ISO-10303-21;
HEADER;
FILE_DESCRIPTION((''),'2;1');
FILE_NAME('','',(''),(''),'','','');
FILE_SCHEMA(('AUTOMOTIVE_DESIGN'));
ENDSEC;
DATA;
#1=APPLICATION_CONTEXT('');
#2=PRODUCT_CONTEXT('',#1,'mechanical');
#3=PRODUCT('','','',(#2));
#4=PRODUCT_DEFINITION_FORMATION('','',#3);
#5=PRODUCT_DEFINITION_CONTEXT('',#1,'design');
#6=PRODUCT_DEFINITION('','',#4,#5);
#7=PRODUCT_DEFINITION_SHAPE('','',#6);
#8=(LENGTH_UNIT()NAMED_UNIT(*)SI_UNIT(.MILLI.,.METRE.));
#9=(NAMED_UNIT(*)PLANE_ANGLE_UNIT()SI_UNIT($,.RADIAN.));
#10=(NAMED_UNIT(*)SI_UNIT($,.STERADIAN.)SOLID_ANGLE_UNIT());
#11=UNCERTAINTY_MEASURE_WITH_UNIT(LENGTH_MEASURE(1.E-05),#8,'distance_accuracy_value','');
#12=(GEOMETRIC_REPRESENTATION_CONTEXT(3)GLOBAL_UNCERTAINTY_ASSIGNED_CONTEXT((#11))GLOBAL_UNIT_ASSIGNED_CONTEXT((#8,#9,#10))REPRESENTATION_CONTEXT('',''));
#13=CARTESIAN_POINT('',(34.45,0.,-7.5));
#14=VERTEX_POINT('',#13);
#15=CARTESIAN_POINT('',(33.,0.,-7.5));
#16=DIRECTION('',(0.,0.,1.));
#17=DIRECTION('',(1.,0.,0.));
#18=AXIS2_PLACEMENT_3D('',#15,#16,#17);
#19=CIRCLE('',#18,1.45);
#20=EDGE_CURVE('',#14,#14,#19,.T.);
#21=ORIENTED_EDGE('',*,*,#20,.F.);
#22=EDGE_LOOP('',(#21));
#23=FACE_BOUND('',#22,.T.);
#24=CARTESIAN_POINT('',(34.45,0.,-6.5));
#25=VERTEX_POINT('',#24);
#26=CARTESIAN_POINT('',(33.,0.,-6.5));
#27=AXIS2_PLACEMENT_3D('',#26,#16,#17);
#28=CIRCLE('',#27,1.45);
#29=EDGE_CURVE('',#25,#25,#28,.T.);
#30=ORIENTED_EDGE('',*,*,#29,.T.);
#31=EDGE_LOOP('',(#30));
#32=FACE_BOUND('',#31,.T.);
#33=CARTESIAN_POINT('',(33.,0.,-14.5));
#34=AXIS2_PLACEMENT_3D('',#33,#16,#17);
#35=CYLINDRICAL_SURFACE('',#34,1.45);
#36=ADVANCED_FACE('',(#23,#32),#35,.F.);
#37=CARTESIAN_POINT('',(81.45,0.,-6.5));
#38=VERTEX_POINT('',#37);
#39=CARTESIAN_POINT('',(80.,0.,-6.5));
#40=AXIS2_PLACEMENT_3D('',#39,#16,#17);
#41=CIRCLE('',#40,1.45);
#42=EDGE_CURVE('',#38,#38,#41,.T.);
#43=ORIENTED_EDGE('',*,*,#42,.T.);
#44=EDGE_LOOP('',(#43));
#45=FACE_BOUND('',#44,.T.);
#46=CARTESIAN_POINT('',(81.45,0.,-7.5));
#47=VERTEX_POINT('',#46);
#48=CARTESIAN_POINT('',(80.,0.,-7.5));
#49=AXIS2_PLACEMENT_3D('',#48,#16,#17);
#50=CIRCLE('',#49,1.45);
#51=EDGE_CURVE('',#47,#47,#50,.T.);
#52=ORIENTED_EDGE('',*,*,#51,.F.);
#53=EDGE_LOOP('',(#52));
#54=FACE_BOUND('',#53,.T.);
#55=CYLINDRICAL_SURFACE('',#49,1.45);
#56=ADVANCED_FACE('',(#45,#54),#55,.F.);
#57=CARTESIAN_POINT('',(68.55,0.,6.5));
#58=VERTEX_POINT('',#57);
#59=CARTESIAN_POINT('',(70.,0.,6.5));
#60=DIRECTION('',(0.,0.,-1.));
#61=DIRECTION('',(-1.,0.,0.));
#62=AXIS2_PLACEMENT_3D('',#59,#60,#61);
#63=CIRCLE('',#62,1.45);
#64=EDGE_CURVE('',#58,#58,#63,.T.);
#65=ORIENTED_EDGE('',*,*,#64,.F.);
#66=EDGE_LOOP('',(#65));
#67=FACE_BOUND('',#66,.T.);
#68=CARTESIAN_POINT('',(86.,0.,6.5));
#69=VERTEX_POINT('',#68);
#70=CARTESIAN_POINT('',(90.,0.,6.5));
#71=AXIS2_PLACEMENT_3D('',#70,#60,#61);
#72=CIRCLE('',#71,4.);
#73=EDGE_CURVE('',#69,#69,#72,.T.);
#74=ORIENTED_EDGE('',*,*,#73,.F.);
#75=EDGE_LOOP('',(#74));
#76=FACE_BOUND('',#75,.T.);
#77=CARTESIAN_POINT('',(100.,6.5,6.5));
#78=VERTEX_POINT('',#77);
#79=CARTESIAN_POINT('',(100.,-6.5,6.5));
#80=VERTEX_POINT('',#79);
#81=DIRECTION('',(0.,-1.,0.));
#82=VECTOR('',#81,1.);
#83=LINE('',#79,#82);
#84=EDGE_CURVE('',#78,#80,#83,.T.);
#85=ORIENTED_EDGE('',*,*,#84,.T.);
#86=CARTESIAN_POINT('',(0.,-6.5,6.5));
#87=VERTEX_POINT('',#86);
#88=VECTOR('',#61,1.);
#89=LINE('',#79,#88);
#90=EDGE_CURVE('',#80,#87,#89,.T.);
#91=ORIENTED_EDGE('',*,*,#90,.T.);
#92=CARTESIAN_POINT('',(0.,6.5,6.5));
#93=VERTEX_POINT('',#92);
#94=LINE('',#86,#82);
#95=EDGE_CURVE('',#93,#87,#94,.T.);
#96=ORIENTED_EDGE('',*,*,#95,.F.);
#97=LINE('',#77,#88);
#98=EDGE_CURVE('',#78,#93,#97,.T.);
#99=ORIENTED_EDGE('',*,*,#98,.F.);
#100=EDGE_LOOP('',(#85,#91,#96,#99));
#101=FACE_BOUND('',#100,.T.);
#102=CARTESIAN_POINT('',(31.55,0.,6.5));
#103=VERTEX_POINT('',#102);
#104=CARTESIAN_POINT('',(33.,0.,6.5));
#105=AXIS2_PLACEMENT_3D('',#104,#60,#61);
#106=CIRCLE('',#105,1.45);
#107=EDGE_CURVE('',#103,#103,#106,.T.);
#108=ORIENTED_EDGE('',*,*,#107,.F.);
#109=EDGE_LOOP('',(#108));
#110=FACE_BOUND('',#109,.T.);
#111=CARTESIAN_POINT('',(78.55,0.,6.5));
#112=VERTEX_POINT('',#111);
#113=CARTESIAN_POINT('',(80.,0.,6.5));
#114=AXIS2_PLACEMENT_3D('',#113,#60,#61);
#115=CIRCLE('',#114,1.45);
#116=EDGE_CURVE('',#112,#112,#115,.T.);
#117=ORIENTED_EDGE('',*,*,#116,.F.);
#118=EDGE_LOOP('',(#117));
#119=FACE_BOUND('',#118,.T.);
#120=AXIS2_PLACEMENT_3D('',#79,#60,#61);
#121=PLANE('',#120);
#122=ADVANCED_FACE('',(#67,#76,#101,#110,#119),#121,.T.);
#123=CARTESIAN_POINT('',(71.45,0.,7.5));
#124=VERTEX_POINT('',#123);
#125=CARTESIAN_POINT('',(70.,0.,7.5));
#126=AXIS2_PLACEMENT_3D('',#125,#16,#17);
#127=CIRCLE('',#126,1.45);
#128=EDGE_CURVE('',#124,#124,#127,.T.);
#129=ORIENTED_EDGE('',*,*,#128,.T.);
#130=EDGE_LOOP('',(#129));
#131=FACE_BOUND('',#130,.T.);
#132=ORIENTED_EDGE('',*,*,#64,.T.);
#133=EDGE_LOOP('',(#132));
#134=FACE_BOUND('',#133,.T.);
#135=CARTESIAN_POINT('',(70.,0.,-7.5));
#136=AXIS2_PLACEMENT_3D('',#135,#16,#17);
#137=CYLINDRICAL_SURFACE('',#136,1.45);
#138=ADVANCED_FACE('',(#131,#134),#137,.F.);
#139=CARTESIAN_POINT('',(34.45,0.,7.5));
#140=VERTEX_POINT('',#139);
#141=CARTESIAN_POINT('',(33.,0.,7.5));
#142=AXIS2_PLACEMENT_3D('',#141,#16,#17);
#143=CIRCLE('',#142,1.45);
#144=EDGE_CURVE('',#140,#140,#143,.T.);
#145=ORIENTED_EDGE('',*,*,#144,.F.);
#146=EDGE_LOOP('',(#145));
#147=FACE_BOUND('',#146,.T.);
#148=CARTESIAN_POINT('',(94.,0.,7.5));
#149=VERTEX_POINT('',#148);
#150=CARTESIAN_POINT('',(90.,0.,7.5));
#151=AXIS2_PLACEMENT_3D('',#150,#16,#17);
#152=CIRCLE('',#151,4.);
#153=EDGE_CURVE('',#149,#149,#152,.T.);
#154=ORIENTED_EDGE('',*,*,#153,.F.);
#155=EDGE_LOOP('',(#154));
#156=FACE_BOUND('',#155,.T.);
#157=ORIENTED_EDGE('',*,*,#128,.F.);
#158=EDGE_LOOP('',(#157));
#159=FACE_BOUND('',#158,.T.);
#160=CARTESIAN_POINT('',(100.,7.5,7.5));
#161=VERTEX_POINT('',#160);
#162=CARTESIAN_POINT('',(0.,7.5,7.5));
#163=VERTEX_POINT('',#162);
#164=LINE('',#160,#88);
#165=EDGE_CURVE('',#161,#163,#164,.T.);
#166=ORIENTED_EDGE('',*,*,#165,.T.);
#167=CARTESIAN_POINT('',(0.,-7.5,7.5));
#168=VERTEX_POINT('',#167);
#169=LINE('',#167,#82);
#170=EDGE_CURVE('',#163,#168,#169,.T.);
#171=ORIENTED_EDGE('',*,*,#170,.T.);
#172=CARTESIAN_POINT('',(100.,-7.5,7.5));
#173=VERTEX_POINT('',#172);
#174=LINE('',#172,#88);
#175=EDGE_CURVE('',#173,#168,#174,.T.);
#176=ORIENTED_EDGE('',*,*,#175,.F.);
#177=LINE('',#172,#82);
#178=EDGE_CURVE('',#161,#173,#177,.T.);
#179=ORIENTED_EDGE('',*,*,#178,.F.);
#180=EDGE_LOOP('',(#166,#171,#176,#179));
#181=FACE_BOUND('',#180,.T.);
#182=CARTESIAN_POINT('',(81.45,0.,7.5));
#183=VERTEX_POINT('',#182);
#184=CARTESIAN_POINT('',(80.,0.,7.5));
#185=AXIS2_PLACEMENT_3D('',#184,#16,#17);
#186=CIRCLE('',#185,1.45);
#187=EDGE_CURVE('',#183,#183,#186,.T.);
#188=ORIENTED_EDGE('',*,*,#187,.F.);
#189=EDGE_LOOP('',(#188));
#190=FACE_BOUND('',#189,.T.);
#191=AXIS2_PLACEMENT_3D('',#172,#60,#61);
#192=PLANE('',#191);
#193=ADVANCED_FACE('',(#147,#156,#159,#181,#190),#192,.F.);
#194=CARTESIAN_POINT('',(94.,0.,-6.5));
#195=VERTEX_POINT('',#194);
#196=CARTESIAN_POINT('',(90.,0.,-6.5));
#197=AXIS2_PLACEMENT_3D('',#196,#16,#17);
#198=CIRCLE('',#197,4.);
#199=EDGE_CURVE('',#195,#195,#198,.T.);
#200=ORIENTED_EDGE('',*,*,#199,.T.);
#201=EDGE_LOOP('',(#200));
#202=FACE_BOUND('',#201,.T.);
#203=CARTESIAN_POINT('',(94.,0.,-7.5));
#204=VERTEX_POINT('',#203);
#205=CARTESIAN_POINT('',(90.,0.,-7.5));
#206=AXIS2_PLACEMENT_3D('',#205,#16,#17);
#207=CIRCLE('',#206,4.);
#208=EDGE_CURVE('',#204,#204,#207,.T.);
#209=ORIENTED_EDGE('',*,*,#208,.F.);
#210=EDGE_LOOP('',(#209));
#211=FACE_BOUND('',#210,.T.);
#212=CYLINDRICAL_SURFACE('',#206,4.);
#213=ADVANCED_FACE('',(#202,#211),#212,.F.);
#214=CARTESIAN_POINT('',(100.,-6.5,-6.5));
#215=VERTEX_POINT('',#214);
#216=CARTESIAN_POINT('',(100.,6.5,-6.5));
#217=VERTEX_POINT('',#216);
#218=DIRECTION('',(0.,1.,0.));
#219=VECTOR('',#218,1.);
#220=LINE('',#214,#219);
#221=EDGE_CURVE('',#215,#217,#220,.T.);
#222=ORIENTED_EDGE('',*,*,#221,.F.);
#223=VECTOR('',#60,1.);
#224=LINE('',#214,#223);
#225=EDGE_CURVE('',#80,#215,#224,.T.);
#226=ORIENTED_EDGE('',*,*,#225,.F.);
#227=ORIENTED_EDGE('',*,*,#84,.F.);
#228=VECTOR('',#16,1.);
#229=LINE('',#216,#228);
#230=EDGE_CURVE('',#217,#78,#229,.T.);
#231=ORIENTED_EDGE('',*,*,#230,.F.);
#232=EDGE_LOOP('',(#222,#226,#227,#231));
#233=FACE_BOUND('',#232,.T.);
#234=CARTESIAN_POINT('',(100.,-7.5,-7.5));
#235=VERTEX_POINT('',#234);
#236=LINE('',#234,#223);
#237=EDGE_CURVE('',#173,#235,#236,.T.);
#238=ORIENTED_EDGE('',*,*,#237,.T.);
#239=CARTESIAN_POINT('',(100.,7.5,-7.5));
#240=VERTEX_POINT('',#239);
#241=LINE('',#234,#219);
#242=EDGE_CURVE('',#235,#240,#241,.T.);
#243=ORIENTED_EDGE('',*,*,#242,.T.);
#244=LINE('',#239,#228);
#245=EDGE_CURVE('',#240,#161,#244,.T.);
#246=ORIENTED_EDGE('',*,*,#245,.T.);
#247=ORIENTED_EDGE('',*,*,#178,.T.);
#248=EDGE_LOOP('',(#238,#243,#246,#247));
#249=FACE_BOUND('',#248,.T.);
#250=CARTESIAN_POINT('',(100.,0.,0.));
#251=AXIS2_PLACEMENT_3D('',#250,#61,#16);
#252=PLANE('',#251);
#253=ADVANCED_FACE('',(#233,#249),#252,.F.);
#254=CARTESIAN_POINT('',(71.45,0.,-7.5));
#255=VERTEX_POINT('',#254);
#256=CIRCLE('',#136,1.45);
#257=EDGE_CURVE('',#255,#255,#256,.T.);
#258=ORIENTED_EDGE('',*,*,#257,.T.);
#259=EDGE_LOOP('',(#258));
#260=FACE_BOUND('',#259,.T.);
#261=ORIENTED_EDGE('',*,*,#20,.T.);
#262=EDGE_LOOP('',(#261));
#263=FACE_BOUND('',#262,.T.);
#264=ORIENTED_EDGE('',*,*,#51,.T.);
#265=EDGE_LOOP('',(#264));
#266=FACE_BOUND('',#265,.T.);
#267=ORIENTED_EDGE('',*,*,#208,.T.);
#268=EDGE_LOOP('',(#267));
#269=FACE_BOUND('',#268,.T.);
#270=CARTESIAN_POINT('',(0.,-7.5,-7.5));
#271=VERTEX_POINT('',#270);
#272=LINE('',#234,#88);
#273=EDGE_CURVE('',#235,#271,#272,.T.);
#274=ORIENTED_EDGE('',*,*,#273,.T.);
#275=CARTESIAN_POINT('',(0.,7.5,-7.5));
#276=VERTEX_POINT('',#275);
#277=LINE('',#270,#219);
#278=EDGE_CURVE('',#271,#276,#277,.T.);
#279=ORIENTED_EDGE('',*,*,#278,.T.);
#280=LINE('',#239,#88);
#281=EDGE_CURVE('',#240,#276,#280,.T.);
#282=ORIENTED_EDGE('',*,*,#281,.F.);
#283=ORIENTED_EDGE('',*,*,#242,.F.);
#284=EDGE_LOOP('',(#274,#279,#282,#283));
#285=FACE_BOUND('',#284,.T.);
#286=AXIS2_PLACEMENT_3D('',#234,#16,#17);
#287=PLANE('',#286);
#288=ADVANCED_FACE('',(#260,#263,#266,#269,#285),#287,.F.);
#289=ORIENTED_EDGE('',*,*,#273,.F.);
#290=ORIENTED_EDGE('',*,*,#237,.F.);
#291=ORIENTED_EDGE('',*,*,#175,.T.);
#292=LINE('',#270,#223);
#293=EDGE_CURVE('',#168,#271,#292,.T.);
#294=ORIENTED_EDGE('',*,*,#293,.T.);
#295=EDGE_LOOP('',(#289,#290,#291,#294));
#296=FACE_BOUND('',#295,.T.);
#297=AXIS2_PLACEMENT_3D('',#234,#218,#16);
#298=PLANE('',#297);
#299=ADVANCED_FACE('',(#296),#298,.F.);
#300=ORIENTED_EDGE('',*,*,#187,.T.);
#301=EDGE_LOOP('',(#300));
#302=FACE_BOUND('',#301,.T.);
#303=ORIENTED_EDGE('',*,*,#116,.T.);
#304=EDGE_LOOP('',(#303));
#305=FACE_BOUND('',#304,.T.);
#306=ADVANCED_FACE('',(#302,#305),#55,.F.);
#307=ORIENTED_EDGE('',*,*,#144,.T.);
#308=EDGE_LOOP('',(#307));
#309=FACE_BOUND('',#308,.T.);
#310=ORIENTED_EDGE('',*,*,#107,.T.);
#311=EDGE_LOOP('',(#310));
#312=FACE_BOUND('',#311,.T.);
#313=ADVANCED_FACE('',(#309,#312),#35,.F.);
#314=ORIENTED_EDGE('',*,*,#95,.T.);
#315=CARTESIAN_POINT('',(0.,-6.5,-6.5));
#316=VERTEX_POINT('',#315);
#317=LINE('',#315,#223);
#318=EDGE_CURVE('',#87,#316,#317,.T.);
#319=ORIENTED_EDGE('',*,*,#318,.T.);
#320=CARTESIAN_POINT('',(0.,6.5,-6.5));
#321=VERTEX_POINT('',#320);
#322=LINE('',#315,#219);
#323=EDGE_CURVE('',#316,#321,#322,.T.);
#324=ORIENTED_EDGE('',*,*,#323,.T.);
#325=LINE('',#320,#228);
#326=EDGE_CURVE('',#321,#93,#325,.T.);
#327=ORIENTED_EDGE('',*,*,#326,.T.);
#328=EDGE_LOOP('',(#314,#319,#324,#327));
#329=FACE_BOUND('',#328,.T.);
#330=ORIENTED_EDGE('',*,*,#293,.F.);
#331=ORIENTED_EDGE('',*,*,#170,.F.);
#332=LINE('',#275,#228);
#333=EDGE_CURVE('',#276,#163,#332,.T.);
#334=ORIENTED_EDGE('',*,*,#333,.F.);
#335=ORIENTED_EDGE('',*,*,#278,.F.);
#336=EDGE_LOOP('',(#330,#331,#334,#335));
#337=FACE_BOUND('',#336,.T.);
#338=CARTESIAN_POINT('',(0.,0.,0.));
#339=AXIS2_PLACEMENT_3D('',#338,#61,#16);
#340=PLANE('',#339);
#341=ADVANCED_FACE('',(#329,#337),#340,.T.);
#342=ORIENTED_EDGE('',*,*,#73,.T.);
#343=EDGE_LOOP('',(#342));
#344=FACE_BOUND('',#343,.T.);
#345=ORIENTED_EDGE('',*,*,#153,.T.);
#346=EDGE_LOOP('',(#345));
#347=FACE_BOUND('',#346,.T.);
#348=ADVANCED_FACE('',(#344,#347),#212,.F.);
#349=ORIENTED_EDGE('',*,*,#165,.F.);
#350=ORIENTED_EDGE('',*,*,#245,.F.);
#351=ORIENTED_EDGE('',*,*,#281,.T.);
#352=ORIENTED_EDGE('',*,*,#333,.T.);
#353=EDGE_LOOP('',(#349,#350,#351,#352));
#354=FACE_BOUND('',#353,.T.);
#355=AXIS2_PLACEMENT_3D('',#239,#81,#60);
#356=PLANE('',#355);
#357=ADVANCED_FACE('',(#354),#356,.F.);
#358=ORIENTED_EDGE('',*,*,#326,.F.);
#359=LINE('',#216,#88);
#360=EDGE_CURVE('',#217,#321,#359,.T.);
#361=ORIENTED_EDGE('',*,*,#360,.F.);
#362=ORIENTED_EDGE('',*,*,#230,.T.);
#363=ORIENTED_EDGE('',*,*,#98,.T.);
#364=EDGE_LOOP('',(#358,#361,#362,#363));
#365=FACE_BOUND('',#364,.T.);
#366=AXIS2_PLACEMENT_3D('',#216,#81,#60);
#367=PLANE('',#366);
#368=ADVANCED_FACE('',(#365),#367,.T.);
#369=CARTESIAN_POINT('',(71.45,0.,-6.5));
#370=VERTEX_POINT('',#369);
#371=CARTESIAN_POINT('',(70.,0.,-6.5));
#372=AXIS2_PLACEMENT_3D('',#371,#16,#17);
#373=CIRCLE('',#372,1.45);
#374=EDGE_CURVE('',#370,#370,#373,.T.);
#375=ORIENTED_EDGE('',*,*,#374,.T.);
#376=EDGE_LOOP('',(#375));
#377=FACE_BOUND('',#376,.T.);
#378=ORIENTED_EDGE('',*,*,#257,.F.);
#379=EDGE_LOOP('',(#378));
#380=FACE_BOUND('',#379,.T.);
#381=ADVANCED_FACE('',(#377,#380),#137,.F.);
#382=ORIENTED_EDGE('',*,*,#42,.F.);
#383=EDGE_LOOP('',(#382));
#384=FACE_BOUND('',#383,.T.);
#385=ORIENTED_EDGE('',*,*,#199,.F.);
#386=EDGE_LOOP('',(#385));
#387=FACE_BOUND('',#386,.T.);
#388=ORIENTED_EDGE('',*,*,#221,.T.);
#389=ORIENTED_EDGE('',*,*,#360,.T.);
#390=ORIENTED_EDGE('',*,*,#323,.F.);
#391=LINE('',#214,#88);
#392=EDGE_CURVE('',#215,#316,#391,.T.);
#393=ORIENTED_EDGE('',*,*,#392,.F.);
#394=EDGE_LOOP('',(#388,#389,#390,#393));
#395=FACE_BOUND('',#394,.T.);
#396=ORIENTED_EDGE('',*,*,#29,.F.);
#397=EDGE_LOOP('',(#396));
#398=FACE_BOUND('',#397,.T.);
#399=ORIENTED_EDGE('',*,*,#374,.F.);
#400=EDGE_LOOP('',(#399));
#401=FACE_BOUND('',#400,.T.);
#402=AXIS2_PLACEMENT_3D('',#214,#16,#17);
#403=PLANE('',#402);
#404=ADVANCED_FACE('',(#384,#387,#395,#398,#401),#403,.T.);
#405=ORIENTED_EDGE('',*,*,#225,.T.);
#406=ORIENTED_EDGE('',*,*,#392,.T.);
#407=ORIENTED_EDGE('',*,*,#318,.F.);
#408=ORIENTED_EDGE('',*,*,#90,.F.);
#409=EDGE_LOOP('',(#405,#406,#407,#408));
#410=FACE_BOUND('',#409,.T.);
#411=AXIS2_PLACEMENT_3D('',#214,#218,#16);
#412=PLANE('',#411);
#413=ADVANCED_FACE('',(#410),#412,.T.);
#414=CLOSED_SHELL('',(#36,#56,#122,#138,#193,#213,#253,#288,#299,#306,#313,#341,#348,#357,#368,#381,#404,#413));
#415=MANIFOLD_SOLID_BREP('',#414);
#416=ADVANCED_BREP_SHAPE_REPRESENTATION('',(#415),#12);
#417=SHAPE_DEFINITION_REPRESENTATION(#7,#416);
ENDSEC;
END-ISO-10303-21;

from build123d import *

# Parameters (mm, degrees)
SKETCH_11_W         = 15
SKETCH_11_H         = 15
SKETCH_11_W_2       = 13
SKETCH_11_H_2       = 13
F_15X15X1_1_DEPTH   = 100
SKETCH_12_R         = 1.45
CUT_EXTRUDE_1_DEPTH = 22
SKETCH_13_R         = 4
SKETCH_13_R_2       = 1.45
CUT_EXTRUDE_2_DEPTH = 102.396498953


with BuildPart() as part:
    # 草图11 → 铝管 15X15X1(1) (new body)
    with BuildSketch(Plane.YZ):
        Rectangle(SKETCH_11_W, SKETCH_11_H)
        Rectangle(SKETCH_11_W_2, SKETCH_11_H_2, mode=Mode.SUBTRACT)
    extrude(amount=F_15X15X1_1_DEPTH)

    # 草图12 → 切除-拉伸1 (cut)
    with BuildSketch(Plane.XY.offset(7.5)):
        with Locations((33, 0)):
            Circle(SKETCH_12_R)
    extrude(amount=-CUT_EXTRUDE_1_DEPTH, mode=Mode.SUBTRACT)

    # 草图13 → 切除-拉伸2 (cut, through all)
    with BuildSketch(Plane.XY.offset(7.5)):
        with Locations((90, 0)):
            Circle(SKETCH_13_R)
        with Locations((80, 0)):
            Circle(SKETCH_13_R_2)
        with Locations((70, 0)):
            Circle(SKETCH_13_R_2)
    extrude(amount=-CUT_EXTRUDE_2_DEPTH, mode=Mode.SUBTRACT)


solid = part.part
